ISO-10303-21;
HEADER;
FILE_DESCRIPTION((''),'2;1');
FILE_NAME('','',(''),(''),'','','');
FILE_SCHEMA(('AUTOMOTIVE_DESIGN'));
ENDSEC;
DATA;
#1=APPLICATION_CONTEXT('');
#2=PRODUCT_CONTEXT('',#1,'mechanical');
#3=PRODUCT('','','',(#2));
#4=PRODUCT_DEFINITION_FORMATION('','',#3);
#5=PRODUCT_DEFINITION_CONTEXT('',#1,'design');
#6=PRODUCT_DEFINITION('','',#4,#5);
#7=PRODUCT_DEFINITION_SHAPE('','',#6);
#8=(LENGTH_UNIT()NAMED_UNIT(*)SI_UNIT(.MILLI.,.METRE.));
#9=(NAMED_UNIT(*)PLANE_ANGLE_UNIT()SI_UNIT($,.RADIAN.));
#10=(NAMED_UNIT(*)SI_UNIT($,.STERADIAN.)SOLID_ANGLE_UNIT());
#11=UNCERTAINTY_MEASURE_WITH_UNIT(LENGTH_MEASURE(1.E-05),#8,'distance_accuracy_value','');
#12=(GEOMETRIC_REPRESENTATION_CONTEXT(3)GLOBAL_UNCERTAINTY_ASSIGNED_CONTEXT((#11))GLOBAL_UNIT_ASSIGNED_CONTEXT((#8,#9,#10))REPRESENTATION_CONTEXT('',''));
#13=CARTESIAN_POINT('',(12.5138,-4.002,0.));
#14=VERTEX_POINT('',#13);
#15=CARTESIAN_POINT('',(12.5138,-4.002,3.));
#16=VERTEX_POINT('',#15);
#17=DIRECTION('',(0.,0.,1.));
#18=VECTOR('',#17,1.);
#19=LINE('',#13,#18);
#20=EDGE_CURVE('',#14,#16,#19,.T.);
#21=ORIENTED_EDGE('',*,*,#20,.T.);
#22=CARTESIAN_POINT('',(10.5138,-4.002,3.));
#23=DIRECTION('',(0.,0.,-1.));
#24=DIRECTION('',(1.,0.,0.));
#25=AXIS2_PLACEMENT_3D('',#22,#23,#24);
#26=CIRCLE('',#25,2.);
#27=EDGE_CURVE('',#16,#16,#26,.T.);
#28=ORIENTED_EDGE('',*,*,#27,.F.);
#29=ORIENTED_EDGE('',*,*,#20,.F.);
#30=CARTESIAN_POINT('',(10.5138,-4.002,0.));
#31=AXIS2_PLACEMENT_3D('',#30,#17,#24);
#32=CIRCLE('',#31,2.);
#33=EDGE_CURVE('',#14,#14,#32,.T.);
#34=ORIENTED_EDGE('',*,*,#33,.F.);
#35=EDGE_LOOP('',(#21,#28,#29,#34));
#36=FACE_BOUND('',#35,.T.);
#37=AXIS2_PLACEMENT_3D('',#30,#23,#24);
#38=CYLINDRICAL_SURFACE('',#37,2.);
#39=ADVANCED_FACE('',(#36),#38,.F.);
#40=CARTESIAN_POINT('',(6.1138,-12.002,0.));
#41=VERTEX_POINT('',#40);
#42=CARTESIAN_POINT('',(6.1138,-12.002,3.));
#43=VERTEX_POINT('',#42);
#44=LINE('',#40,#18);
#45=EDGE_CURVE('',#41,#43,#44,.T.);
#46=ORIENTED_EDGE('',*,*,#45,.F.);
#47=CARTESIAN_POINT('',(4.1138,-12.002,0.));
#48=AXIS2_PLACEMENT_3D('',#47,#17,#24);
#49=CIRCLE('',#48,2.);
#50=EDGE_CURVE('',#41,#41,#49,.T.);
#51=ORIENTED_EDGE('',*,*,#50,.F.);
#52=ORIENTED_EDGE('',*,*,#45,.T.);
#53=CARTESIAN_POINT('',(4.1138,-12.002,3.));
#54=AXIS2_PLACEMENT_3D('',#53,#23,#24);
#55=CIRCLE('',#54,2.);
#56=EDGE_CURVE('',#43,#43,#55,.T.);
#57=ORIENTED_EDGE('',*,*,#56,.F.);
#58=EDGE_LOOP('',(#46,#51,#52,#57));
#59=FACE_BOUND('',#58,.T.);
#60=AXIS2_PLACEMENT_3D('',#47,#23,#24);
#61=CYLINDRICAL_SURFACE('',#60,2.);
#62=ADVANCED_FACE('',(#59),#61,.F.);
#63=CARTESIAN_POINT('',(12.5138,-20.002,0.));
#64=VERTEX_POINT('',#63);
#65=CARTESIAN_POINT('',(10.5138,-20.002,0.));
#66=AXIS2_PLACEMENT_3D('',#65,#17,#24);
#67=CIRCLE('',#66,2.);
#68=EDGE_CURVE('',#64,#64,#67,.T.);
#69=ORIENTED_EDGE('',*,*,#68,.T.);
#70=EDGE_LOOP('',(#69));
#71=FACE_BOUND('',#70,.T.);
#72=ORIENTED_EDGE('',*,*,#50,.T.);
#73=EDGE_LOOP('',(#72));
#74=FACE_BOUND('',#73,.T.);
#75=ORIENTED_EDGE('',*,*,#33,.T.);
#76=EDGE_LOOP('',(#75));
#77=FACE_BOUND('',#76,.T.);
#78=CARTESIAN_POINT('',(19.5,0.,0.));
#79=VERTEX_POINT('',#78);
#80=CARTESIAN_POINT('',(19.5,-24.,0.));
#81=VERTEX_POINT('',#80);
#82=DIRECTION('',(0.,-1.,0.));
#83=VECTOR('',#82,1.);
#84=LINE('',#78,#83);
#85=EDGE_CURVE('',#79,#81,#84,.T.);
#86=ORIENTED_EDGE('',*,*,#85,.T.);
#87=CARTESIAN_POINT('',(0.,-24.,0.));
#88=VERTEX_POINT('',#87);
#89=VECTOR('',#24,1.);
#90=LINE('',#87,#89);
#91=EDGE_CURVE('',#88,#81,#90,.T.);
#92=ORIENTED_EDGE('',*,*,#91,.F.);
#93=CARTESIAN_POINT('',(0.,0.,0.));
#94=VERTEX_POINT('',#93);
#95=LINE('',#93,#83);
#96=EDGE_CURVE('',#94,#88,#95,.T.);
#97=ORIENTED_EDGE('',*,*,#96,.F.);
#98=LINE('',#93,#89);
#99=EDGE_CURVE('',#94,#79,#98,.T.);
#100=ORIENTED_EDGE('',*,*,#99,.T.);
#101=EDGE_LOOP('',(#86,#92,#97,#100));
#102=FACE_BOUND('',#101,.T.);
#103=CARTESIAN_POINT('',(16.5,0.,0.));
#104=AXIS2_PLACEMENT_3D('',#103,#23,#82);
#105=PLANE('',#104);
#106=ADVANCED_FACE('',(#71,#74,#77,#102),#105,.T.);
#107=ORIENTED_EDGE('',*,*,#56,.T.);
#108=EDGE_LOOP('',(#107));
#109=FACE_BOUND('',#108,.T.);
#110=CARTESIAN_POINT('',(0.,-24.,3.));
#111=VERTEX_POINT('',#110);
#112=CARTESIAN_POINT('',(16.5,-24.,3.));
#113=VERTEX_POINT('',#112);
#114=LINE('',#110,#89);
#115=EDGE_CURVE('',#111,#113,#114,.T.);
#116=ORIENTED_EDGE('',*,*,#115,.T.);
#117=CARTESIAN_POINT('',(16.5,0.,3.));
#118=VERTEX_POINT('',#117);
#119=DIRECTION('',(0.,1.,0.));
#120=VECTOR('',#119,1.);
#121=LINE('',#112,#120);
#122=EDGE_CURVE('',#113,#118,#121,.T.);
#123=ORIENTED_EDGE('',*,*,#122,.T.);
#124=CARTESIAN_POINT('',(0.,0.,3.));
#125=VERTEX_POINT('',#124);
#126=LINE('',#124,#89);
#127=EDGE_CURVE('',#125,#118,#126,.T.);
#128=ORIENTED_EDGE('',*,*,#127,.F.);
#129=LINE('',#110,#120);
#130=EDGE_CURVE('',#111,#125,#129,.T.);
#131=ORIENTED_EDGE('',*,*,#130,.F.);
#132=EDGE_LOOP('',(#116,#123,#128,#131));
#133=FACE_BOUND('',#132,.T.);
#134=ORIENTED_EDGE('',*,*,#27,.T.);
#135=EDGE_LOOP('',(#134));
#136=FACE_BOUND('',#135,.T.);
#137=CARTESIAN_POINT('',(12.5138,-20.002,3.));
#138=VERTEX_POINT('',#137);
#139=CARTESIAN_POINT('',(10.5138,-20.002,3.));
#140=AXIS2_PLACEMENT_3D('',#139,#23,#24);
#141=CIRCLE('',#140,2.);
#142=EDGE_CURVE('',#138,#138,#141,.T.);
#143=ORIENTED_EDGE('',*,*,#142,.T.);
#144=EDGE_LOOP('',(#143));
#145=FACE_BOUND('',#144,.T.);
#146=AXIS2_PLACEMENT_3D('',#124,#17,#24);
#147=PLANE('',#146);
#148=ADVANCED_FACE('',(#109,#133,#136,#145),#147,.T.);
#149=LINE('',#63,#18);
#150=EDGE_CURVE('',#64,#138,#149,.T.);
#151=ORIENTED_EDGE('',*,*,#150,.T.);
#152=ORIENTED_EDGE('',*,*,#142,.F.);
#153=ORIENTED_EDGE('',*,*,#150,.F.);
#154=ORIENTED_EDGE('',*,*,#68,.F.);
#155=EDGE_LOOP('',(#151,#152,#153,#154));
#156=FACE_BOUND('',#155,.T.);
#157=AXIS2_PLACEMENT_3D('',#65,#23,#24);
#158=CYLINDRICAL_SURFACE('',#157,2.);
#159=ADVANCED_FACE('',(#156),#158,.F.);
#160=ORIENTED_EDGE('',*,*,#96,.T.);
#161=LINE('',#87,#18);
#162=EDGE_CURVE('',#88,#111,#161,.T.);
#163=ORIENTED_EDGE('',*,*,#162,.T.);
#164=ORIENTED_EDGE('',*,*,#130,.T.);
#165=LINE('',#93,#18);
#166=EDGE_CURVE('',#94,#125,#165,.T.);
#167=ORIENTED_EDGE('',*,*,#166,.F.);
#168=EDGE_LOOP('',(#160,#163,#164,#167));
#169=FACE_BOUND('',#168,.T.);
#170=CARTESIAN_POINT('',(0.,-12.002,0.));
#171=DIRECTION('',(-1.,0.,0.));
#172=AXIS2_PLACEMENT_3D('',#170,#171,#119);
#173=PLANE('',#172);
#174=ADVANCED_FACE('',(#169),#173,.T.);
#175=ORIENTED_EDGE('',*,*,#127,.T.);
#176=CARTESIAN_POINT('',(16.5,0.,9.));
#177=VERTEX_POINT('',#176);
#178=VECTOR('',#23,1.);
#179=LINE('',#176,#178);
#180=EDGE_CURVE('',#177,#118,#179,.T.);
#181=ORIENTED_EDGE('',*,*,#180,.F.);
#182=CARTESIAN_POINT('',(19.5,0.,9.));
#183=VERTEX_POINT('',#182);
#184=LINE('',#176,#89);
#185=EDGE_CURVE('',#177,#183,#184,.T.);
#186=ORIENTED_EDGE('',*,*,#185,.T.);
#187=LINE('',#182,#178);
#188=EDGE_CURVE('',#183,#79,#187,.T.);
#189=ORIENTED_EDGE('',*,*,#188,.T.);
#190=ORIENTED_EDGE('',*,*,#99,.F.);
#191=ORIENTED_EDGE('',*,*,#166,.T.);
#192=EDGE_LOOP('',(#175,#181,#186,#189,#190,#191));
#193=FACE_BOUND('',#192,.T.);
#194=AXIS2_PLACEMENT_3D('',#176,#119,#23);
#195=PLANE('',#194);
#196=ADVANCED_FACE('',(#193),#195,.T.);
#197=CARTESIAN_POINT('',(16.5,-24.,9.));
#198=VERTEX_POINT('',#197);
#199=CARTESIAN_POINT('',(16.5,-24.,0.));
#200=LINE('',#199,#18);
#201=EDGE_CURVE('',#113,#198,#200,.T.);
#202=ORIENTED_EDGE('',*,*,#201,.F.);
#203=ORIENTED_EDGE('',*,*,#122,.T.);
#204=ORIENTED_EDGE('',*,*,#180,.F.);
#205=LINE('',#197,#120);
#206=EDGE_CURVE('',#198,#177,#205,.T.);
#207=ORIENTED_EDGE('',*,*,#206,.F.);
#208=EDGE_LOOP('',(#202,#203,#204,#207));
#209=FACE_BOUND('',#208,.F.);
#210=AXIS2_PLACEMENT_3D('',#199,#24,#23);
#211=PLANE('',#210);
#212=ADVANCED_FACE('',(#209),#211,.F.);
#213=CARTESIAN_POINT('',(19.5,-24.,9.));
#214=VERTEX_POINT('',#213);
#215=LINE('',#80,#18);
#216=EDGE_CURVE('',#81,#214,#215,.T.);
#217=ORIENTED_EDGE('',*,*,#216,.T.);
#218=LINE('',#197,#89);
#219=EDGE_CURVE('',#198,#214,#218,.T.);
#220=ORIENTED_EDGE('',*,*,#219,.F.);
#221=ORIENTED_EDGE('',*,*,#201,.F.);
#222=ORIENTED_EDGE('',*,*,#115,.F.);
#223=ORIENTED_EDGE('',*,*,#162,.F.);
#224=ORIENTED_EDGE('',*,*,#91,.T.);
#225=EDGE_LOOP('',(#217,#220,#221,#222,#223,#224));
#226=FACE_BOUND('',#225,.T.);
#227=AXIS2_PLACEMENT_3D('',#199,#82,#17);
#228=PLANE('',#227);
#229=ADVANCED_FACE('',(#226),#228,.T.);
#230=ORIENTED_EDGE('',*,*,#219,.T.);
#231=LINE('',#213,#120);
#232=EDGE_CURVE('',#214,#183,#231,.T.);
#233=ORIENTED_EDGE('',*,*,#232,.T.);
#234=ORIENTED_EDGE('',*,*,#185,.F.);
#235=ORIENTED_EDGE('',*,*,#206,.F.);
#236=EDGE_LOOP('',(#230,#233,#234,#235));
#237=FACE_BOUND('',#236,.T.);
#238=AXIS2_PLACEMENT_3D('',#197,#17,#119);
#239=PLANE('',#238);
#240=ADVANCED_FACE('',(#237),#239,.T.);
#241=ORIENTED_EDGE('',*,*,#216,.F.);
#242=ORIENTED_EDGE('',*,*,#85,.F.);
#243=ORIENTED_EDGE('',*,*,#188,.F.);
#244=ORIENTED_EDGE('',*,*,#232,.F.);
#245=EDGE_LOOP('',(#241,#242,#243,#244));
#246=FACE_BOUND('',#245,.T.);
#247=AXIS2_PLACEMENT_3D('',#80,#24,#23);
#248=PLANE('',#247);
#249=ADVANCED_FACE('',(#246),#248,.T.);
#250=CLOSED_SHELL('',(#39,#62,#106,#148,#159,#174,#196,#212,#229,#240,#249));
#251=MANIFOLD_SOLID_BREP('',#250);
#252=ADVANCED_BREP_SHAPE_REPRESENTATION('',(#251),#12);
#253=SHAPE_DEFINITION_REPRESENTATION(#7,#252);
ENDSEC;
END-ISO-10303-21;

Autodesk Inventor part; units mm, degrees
ref_plane "YZ Plane" through (0, 0, 0) normal (1, 0, 0) x (0, 1, 0)
ref_plane "XZ Plane" through (0, 0, 0) normal (0, 1, 0) x (-1, 0, 0)
ref_plane "XY Plane" through (0, 0, 0) normal (0, 0, 1) x (1, 0, 0)
sketch "Sketch1" plane through (0, 0, 0) normal (0, 0, 1) x (1, 0, 0)
  line L0 (0, 0) -> (16.5, 0)
  line L1 (16.5, 0) -> (16.5, -24)
  line L2 (16.5, -24) -> (0, -24)
  line L3 (0, -24) -> (0, 0)
  line L4 (24.2611, -12.002) -> (-7.0214, -12.002)
  line L5 (10.5138, 0) -> (10.5138, -25.2396)
  line L6 (10.5138, -12.002) -> (10.5138, -20.002) construction
  line L7 (10.5138, -12.002) -> (10.5138, -4.002) construction
  circle A0 centre (10.5138, -4.002) radius 2
  circle A1 centre (10.5138, -20.002) radius 2
  circle A2 centre (4.1138, -12.002) radius 2
  dimension "d0" = 16.5
  dimension "d1" = 24
  dimension "d2" = 8
  dimension "d3" = 8
  dimension "d4" = 4
  dimension "d5" = 4
  dimension "d7" = 4
extrude "Extrusion1" add sketch "Sketch1" along normal blind 3 contours L0 L5 A0 L4 A2 L3 | L0 L1 L4 L5 A0 | L4 A2 L5 A1 L2 L3 | L1 L2 L5 A1 L4
sketch "Sketch3" plane through (16.5, -24, 0) normal (1, 0, 0) x (0, 0, -1)
  line L0 (0, 0) -> (-9, 0)
  line L1 (-9, 0) -> (-9, 24)
  line L2 (-9, 24) -> (0, 24)
  line L3 (0, 24) -> (0, 0)
  dimension "d17" = 9
extrude "Extrusion3" add sketch "Sketch3" along normal blind 3
properties part number "bart y clips"
